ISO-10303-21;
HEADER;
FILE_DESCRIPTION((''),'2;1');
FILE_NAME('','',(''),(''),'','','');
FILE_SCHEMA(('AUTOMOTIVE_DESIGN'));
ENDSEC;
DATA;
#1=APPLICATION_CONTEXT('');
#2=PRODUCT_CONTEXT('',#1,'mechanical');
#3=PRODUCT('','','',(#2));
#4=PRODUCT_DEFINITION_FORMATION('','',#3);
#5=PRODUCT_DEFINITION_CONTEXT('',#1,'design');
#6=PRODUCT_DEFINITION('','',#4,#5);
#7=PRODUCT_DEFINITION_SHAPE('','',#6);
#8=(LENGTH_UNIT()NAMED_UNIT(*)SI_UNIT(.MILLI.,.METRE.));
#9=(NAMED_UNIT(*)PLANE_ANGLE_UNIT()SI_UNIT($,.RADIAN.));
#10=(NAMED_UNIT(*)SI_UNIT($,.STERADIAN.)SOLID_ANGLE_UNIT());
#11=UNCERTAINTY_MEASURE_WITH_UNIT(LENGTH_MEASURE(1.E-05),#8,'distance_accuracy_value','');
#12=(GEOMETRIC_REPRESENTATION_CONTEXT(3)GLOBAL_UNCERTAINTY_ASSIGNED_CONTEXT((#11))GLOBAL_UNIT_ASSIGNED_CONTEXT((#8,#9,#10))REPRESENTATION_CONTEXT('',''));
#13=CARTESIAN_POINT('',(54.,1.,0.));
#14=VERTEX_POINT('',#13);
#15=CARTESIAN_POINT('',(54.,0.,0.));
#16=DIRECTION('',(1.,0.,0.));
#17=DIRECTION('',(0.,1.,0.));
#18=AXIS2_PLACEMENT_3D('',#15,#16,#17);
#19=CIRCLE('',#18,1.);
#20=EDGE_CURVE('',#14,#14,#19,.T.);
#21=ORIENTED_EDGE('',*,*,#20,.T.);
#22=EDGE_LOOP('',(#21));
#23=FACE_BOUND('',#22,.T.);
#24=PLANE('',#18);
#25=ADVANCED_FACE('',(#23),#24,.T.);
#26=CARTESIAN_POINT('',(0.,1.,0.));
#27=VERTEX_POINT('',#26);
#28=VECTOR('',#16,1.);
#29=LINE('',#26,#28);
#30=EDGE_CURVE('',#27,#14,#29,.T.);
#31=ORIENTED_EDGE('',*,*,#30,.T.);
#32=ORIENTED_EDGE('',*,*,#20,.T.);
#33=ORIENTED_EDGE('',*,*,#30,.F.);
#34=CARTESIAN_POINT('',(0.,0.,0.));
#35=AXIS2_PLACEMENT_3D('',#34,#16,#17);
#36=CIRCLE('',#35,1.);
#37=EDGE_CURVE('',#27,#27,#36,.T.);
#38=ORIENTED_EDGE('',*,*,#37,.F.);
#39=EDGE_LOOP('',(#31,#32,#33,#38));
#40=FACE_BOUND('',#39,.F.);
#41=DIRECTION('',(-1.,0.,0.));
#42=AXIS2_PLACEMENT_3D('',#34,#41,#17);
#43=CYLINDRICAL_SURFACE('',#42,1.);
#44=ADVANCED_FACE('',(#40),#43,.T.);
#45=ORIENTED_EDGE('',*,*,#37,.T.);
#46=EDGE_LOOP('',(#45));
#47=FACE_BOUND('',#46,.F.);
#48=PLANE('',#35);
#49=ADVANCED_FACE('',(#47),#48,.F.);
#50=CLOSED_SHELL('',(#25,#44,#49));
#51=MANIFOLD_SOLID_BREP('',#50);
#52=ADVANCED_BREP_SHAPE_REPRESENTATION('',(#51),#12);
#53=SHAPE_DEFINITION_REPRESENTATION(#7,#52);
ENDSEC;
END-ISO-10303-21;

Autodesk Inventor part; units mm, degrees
ref_plane "YZ Plane" through (0, 0, 0) normal (1, 0, 0) x (0, 1, 0)
ref_plane "XZ Plane" through (0, 0, 0) normal (0, 1, 0) x (-1, 0, 0)
ref_plane "XY Plane" through (0, 0, 0) normal (0, 0, 1) x (1, 0, 0)
sketch "Sketch1" plane through (0, 0, 0) normal (1, 0, 0) x (0, 1, 0)
  circle A0 centre (0, 0) radius 1
  dimension "d0" = 2
extrude "Extrusion1" add sketch "Sketch1" along normal blind 54
properties part number "2015 Axle 1"
